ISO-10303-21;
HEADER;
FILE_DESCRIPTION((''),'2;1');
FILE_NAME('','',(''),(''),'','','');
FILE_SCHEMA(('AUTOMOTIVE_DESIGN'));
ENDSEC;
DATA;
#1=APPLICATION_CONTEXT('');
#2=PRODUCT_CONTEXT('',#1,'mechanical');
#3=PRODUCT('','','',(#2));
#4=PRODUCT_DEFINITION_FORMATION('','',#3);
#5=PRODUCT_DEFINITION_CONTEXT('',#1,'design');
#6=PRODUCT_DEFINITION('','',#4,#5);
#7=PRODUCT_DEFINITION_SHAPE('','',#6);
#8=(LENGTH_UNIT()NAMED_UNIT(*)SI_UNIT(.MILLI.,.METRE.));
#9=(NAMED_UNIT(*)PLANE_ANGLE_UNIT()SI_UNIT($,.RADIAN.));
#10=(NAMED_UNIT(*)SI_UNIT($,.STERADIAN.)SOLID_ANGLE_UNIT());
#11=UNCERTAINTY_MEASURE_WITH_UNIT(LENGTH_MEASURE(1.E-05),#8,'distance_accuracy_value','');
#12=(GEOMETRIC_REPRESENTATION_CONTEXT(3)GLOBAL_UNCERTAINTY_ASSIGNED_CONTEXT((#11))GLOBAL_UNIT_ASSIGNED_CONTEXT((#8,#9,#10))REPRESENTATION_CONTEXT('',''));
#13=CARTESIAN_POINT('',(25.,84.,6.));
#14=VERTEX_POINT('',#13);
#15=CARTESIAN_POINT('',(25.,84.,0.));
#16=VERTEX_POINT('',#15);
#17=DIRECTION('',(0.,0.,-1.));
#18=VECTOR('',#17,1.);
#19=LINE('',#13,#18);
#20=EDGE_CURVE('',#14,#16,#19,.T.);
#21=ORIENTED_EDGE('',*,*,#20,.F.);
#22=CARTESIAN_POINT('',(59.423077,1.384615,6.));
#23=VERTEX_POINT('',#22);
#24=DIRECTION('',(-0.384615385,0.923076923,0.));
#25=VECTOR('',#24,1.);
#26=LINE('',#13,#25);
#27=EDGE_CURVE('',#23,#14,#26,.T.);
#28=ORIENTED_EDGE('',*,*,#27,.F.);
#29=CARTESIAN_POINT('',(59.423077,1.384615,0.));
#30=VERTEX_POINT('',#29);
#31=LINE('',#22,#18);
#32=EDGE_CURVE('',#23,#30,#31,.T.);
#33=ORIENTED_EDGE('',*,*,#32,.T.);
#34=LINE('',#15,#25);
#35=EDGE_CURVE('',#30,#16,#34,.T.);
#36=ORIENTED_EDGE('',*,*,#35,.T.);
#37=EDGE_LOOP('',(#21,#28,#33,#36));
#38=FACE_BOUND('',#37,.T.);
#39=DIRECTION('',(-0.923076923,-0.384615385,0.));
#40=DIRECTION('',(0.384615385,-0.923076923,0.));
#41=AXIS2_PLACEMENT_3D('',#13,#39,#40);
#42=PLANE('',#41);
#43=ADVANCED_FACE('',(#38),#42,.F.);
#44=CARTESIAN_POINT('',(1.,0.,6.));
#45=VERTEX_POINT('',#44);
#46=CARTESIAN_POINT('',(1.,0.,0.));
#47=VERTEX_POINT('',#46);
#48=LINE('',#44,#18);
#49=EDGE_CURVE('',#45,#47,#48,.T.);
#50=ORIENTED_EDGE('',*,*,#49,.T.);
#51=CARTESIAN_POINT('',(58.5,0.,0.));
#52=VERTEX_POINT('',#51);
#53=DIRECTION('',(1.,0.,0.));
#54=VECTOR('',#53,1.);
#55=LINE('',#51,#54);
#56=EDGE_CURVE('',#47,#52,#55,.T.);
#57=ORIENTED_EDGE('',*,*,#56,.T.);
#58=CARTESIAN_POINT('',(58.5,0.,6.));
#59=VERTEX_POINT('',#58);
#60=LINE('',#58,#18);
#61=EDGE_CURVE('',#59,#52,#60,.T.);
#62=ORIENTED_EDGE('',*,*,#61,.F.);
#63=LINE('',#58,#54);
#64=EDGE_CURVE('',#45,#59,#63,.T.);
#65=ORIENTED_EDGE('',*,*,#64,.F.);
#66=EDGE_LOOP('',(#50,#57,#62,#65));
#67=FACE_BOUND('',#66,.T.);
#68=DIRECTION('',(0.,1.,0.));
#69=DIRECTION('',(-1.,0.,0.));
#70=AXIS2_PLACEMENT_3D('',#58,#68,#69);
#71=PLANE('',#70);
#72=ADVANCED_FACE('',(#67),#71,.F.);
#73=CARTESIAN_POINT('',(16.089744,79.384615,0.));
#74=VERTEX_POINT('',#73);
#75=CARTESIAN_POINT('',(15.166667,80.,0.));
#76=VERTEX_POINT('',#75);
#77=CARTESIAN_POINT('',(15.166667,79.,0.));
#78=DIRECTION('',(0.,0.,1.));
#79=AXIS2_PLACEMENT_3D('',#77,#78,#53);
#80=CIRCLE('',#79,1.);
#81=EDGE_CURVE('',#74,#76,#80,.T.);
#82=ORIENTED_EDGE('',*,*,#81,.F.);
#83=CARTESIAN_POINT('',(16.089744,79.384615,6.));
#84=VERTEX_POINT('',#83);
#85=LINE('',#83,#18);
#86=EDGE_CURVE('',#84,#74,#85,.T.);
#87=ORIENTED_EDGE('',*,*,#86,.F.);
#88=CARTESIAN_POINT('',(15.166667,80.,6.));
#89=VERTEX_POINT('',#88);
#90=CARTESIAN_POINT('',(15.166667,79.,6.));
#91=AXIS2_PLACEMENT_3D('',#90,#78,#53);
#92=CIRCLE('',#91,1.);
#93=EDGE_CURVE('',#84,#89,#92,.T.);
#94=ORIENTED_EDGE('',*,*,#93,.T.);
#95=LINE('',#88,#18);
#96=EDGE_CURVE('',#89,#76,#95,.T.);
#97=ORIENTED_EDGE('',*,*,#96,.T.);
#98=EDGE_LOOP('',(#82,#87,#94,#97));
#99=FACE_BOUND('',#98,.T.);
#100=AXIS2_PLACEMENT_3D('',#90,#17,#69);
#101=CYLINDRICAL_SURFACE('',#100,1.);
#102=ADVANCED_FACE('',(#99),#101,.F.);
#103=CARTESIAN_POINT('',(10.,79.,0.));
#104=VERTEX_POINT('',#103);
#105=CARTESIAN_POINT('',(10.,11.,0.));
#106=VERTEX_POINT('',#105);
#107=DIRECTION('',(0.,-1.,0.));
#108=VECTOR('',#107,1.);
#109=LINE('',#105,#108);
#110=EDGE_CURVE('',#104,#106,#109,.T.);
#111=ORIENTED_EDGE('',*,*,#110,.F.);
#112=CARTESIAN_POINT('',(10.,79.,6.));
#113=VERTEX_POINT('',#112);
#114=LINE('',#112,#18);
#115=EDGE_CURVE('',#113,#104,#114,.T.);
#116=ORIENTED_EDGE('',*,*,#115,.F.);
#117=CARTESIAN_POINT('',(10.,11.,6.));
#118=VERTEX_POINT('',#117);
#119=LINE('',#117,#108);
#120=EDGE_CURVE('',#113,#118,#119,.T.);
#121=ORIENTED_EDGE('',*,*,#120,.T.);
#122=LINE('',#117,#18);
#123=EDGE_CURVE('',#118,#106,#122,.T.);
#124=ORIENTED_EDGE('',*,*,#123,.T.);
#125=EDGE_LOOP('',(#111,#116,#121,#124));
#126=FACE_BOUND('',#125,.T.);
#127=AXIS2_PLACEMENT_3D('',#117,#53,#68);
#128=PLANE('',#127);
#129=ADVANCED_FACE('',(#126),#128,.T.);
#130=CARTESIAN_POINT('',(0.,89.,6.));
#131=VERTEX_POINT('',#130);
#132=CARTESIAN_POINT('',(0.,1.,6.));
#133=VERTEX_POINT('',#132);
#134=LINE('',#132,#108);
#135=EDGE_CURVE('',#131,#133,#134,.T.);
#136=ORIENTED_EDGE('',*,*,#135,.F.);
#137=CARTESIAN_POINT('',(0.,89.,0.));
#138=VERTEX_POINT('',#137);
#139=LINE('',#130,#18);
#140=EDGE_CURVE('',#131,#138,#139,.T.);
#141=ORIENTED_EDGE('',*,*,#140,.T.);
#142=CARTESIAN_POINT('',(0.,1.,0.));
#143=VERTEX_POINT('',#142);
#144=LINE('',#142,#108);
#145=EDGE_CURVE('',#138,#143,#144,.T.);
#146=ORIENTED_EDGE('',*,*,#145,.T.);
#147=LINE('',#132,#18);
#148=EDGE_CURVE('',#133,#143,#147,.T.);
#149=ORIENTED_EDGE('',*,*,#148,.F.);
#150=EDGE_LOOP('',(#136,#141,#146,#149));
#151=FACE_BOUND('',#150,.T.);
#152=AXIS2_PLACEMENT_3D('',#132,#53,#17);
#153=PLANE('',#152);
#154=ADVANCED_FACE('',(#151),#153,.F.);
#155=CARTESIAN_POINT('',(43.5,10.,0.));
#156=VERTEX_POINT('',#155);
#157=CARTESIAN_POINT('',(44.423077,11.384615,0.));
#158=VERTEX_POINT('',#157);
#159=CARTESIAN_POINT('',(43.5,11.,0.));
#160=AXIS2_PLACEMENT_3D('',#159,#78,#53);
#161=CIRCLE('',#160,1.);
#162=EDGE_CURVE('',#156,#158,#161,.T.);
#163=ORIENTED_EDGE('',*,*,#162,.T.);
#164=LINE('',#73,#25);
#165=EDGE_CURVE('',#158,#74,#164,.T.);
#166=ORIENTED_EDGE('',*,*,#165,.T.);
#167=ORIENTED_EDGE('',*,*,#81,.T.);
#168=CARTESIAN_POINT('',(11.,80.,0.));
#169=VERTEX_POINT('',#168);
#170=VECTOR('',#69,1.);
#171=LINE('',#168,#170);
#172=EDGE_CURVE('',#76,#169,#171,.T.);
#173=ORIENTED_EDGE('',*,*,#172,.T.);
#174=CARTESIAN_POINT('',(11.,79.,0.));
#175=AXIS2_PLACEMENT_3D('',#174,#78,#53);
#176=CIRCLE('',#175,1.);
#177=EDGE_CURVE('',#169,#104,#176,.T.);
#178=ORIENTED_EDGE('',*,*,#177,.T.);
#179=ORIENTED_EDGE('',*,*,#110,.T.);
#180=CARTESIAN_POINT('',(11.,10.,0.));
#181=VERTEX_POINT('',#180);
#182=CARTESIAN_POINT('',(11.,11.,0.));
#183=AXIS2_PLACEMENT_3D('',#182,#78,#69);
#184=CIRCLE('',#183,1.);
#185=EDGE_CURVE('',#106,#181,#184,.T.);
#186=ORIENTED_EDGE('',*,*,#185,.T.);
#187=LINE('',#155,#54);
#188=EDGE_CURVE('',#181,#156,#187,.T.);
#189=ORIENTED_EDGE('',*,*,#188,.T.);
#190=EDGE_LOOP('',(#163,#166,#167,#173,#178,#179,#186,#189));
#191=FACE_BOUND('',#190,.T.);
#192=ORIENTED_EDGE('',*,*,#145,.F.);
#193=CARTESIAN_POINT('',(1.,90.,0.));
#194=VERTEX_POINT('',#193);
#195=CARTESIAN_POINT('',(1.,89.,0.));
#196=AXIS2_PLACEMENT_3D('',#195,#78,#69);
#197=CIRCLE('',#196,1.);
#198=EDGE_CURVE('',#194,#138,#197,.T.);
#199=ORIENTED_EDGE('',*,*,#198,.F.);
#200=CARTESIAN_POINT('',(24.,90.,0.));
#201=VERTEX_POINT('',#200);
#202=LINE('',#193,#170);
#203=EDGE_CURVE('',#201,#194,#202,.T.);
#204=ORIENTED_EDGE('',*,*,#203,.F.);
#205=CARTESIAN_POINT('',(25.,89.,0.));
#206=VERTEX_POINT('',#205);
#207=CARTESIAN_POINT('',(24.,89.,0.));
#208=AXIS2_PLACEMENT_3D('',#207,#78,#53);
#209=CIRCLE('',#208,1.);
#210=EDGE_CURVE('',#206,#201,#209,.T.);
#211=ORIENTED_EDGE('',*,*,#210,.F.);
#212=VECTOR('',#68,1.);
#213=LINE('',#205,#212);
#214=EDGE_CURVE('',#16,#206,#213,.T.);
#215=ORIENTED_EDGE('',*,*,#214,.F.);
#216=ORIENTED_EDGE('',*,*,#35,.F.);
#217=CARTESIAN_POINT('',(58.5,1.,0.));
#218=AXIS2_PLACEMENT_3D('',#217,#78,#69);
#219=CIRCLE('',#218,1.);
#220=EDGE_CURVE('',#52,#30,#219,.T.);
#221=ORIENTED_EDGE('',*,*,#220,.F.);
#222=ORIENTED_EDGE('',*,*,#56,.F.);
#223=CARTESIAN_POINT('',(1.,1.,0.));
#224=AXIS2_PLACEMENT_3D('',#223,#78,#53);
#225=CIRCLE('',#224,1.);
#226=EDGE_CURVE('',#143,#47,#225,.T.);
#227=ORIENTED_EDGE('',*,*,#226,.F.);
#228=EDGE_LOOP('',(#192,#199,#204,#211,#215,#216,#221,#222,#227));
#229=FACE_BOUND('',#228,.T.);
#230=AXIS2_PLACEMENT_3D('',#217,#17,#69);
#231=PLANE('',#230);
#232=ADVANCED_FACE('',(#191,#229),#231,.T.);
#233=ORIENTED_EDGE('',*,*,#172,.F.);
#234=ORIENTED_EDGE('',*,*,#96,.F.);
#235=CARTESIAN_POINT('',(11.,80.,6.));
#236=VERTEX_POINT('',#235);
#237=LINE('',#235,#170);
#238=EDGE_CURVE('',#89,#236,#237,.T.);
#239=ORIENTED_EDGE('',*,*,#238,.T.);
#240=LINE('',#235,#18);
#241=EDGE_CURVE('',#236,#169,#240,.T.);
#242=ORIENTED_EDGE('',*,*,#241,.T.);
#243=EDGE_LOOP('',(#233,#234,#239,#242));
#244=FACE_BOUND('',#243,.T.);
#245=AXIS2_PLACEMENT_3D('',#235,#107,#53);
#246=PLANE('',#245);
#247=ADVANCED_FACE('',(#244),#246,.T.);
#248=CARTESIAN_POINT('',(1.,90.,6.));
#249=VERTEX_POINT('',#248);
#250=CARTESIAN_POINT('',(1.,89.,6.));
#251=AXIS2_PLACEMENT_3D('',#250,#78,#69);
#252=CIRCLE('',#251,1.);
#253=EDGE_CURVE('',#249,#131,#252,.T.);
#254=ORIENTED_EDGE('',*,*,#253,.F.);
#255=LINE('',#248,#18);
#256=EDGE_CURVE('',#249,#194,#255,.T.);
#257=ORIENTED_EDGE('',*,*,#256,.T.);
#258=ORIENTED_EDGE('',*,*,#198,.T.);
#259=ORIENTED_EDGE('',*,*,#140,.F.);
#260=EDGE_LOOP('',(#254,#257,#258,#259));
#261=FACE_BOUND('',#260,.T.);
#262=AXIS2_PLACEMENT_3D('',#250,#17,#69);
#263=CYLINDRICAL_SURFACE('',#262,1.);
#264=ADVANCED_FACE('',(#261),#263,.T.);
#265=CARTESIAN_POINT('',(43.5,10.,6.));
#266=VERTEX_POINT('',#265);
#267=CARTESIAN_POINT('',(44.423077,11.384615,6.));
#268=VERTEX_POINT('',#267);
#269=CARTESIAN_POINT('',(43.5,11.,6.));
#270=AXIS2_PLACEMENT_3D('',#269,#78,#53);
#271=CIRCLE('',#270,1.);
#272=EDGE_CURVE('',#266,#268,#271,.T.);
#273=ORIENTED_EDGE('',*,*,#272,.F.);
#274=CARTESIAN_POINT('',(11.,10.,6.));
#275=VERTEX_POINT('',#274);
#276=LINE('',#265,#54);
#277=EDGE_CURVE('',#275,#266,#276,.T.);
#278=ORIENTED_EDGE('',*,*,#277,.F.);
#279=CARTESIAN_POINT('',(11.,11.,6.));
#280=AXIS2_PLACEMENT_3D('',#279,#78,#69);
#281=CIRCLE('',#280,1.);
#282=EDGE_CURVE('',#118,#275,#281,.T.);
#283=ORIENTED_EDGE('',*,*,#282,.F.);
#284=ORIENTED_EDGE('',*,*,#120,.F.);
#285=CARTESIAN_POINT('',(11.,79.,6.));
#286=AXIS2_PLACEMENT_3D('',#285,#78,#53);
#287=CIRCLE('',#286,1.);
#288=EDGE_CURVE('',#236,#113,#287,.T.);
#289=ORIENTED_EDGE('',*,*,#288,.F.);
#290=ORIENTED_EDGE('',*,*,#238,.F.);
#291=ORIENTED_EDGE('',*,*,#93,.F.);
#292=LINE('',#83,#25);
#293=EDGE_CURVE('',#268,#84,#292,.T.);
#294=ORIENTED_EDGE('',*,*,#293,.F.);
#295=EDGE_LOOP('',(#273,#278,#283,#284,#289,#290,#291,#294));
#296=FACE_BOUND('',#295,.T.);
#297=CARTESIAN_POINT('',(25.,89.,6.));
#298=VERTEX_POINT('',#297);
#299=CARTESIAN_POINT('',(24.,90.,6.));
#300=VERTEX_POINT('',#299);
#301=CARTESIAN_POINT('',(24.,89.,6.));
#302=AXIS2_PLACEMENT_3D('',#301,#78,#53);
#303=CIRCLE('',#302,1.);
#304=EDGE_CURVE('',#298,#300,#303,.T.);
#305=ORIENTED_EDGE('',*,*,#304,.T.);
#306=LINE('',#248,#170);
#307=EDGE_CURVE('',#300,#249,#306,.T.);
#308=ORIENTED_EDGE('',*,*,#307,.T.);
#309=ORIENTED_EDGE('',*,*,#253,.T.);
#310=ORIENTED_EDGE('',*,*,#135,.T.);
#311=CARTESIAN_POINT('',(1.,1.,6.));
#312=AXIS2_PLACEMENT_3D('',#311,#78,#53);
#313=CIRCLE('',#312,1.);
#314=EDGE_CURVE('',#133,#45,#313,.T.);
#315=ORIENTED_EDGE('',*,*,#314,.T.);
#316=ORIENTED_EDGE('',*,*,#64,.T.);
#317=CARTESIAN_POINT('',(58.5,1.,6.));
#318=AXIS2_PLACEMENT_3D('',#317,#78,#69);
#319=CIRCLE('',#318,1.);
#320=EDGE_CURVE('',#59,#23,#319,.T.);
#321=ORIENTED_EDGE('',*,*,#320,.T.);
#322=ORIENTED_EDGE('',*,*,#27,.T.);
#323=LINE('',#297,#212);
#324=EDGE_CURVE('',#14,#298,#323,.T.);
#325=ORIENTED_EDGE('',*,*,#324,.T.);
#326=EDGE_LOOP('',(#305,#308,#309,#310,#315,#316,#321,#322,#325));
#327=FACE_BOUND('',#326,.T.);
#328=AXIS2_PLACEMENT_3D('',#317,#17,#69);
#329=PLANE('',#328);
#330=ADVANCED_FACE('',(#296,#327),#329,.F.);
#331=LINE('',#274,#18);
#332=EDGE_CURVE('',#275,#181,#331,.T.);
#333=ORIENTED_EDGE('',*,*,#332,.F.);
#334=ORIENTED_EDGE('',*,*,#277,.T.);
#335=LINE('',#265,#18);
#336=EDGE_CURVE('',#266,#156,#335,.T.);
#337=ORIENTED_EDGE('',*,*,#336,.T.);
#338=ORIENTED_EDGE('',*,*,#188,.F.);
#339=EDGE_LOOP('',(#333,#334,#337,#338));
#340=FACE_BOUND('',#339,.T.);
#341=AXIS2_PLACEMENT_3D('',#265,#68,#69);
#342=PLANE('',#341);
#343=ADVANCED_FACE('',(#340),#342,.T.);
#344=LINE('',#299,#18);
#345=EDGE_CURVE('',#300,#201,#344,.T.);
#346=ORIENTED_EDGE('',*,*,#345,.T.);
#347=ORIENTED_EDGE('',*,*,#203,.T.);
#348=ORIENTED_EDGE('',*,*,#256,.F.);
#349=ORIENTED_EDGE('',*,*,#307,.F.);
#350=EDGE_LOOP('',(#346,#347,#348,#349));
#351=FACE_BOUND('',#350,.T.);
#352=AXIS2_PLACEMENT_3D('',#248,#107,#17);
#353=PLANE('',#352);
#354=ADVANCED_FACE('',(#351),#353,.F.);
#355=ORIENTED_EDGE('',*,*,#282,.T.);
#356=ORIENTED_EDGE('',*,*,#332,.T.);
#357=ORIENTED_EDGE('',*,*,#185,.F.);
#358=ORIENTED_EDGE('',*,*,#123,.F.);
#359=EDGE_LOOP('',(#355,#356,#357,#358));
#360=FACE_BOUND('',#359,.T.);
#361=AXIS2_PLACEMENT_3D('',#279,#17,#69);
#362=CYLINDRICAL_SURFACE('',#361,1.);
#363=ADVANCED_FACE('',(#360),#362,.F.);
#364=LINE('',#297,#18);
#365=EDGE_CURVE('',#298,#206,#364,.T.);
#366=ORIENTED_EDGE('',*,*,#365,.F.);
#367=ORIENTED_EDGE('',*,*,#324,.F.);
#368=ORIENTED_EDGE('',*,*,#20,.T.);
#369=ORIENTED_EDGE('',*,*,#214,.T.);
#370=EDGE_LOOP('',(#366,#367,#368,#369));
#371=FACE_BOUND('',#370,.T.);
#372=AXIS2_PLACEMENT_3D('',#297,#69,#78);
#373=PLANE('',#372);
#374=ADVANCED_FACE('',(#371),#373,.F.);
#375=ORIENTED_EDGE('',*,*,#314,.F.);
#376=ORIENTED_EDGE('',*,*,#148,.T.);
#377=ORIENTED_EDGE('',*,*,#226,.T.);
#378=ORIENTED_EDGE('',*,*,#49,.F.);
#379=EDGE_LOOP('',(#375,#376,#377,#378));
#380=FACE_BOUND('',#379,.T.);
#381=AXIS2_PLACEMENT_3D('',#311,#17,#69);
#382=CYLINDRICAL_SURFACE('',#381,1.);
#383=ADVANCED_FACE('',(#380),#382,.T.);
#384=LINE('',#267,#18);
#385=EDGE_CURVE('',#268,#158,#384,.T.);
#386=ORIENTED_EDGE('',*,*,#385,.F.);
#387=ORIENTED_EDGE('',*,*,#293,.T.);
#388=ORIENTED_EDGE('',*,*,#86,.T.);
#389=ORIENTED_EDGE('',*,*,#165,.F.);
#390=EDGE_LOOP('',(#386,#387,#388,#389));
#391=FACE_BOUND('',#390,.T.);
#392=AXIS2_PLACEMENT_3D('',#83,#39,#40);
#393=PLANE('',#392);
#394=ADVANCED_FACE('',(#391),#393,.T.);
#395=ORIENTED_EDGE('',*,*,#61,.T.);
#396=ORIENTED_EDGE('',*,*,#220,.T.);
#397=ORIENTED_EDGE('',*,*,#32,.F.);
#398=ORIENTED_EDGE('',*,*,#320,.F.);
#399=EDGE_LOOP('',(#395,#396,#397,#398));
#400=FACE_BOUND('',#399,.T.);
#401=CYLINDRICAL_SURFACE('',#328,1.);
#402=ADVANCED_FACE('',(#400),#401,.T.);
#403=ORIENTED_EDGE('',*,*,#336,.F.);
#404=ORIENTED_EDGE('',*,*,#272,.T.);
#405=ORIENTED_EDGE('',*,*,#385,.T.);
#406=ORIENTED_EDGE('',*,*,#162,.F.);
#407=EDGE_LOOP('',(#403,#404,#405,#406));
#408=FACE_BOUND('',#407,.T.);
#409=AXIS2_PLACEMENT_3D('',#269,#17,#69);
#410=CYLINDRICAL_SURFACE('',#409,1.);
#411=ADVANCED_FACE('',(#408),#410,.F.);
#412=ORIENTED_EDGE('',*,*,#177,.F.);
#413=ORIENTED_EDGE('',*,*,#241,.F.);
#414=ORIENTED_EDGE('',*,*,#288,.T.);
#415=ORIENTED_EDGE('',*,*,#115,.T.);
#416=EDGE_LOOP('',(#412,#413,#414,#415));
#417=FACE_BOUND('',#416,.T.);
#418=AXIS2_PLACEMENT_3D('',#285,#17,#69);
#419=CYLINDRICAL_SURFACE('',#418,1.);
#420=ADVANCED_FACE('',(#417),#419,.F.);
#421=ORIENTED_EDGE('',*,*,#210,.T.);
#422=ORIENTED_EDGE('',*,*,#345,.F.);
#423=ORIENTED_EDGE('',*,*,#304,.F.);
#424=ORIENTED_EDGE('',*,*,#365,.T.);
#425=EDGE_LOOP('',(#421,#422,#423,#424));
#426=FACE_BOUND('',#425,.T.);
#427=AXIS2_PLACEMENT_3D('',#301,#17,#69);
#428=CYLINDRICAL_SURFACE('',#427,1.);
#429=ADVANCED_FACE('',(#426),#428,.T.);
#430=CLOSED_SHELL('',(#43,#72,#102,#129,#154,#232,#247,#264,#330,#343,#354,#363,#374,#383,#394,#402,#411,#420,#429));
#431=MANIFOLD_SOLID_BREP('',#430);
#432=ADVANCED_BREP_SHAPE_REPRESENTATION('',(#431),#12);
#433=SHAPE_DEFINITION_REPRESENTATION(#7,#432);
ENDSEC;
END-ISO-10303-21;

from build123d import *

# Parameters (mm, degrees)
BOSS_EXTRU_1_DEPTH = 6


with BuildPart() as part:
    # Esquisse1 → Boss.-Extru.1 (new body)
    with BuildSketch(Plane.XY):
        with BuildLine():
            Line((0, 1), (0, 89))
            ThreePointArc((0, 89), (0.292893219, 89.707106781), (1, 90))
            Line((1, 90), (24, 90))
            ThreePointArc((24, 90), (24.707106781, 89.707106781), (25, 89))
            Line((25, 89), (25, 84))
            Line((25, 84), (59.423076923, 1.384615385))
            ThreePointArc((59.423076923, 1.384615385), (59.332050294, 0.445299804), (58.5, 0))
            Line((58.5, 0), (1, 0))
            ThreePointArc((1, 0), (0.292893219, 0.292893219), (0, 1))
        make_face()
        with BuildLine():
            Line((10, 11), (10, 79))
            ThreePointArc((10, 79), (10.292893219, 79.707106781), (11, 80))
            Line((11, 80), (15.166666667, 80))
            ThreePointArc((15.166666667, 80), (15.721366863, 79.832050294), (16.08974359, 79.384615385))
            Line((16.08974359, 79.384615385), (44.423076923, 11.384615385))
            ThreePointArc((44.423076923, 11.384615385), (44.332050294, 10.445299804), (43.5, 10))
            Line((43.5, 10), (11, 10))
            ThreePointArc((11, 10), (10.292893219, 10.292893219), (10, 11))
        make_face(mode=Mode.SUBTRACT)
    extrude(amount=BOSS_EXTRU_1_DEPTH)


solid = part.part
